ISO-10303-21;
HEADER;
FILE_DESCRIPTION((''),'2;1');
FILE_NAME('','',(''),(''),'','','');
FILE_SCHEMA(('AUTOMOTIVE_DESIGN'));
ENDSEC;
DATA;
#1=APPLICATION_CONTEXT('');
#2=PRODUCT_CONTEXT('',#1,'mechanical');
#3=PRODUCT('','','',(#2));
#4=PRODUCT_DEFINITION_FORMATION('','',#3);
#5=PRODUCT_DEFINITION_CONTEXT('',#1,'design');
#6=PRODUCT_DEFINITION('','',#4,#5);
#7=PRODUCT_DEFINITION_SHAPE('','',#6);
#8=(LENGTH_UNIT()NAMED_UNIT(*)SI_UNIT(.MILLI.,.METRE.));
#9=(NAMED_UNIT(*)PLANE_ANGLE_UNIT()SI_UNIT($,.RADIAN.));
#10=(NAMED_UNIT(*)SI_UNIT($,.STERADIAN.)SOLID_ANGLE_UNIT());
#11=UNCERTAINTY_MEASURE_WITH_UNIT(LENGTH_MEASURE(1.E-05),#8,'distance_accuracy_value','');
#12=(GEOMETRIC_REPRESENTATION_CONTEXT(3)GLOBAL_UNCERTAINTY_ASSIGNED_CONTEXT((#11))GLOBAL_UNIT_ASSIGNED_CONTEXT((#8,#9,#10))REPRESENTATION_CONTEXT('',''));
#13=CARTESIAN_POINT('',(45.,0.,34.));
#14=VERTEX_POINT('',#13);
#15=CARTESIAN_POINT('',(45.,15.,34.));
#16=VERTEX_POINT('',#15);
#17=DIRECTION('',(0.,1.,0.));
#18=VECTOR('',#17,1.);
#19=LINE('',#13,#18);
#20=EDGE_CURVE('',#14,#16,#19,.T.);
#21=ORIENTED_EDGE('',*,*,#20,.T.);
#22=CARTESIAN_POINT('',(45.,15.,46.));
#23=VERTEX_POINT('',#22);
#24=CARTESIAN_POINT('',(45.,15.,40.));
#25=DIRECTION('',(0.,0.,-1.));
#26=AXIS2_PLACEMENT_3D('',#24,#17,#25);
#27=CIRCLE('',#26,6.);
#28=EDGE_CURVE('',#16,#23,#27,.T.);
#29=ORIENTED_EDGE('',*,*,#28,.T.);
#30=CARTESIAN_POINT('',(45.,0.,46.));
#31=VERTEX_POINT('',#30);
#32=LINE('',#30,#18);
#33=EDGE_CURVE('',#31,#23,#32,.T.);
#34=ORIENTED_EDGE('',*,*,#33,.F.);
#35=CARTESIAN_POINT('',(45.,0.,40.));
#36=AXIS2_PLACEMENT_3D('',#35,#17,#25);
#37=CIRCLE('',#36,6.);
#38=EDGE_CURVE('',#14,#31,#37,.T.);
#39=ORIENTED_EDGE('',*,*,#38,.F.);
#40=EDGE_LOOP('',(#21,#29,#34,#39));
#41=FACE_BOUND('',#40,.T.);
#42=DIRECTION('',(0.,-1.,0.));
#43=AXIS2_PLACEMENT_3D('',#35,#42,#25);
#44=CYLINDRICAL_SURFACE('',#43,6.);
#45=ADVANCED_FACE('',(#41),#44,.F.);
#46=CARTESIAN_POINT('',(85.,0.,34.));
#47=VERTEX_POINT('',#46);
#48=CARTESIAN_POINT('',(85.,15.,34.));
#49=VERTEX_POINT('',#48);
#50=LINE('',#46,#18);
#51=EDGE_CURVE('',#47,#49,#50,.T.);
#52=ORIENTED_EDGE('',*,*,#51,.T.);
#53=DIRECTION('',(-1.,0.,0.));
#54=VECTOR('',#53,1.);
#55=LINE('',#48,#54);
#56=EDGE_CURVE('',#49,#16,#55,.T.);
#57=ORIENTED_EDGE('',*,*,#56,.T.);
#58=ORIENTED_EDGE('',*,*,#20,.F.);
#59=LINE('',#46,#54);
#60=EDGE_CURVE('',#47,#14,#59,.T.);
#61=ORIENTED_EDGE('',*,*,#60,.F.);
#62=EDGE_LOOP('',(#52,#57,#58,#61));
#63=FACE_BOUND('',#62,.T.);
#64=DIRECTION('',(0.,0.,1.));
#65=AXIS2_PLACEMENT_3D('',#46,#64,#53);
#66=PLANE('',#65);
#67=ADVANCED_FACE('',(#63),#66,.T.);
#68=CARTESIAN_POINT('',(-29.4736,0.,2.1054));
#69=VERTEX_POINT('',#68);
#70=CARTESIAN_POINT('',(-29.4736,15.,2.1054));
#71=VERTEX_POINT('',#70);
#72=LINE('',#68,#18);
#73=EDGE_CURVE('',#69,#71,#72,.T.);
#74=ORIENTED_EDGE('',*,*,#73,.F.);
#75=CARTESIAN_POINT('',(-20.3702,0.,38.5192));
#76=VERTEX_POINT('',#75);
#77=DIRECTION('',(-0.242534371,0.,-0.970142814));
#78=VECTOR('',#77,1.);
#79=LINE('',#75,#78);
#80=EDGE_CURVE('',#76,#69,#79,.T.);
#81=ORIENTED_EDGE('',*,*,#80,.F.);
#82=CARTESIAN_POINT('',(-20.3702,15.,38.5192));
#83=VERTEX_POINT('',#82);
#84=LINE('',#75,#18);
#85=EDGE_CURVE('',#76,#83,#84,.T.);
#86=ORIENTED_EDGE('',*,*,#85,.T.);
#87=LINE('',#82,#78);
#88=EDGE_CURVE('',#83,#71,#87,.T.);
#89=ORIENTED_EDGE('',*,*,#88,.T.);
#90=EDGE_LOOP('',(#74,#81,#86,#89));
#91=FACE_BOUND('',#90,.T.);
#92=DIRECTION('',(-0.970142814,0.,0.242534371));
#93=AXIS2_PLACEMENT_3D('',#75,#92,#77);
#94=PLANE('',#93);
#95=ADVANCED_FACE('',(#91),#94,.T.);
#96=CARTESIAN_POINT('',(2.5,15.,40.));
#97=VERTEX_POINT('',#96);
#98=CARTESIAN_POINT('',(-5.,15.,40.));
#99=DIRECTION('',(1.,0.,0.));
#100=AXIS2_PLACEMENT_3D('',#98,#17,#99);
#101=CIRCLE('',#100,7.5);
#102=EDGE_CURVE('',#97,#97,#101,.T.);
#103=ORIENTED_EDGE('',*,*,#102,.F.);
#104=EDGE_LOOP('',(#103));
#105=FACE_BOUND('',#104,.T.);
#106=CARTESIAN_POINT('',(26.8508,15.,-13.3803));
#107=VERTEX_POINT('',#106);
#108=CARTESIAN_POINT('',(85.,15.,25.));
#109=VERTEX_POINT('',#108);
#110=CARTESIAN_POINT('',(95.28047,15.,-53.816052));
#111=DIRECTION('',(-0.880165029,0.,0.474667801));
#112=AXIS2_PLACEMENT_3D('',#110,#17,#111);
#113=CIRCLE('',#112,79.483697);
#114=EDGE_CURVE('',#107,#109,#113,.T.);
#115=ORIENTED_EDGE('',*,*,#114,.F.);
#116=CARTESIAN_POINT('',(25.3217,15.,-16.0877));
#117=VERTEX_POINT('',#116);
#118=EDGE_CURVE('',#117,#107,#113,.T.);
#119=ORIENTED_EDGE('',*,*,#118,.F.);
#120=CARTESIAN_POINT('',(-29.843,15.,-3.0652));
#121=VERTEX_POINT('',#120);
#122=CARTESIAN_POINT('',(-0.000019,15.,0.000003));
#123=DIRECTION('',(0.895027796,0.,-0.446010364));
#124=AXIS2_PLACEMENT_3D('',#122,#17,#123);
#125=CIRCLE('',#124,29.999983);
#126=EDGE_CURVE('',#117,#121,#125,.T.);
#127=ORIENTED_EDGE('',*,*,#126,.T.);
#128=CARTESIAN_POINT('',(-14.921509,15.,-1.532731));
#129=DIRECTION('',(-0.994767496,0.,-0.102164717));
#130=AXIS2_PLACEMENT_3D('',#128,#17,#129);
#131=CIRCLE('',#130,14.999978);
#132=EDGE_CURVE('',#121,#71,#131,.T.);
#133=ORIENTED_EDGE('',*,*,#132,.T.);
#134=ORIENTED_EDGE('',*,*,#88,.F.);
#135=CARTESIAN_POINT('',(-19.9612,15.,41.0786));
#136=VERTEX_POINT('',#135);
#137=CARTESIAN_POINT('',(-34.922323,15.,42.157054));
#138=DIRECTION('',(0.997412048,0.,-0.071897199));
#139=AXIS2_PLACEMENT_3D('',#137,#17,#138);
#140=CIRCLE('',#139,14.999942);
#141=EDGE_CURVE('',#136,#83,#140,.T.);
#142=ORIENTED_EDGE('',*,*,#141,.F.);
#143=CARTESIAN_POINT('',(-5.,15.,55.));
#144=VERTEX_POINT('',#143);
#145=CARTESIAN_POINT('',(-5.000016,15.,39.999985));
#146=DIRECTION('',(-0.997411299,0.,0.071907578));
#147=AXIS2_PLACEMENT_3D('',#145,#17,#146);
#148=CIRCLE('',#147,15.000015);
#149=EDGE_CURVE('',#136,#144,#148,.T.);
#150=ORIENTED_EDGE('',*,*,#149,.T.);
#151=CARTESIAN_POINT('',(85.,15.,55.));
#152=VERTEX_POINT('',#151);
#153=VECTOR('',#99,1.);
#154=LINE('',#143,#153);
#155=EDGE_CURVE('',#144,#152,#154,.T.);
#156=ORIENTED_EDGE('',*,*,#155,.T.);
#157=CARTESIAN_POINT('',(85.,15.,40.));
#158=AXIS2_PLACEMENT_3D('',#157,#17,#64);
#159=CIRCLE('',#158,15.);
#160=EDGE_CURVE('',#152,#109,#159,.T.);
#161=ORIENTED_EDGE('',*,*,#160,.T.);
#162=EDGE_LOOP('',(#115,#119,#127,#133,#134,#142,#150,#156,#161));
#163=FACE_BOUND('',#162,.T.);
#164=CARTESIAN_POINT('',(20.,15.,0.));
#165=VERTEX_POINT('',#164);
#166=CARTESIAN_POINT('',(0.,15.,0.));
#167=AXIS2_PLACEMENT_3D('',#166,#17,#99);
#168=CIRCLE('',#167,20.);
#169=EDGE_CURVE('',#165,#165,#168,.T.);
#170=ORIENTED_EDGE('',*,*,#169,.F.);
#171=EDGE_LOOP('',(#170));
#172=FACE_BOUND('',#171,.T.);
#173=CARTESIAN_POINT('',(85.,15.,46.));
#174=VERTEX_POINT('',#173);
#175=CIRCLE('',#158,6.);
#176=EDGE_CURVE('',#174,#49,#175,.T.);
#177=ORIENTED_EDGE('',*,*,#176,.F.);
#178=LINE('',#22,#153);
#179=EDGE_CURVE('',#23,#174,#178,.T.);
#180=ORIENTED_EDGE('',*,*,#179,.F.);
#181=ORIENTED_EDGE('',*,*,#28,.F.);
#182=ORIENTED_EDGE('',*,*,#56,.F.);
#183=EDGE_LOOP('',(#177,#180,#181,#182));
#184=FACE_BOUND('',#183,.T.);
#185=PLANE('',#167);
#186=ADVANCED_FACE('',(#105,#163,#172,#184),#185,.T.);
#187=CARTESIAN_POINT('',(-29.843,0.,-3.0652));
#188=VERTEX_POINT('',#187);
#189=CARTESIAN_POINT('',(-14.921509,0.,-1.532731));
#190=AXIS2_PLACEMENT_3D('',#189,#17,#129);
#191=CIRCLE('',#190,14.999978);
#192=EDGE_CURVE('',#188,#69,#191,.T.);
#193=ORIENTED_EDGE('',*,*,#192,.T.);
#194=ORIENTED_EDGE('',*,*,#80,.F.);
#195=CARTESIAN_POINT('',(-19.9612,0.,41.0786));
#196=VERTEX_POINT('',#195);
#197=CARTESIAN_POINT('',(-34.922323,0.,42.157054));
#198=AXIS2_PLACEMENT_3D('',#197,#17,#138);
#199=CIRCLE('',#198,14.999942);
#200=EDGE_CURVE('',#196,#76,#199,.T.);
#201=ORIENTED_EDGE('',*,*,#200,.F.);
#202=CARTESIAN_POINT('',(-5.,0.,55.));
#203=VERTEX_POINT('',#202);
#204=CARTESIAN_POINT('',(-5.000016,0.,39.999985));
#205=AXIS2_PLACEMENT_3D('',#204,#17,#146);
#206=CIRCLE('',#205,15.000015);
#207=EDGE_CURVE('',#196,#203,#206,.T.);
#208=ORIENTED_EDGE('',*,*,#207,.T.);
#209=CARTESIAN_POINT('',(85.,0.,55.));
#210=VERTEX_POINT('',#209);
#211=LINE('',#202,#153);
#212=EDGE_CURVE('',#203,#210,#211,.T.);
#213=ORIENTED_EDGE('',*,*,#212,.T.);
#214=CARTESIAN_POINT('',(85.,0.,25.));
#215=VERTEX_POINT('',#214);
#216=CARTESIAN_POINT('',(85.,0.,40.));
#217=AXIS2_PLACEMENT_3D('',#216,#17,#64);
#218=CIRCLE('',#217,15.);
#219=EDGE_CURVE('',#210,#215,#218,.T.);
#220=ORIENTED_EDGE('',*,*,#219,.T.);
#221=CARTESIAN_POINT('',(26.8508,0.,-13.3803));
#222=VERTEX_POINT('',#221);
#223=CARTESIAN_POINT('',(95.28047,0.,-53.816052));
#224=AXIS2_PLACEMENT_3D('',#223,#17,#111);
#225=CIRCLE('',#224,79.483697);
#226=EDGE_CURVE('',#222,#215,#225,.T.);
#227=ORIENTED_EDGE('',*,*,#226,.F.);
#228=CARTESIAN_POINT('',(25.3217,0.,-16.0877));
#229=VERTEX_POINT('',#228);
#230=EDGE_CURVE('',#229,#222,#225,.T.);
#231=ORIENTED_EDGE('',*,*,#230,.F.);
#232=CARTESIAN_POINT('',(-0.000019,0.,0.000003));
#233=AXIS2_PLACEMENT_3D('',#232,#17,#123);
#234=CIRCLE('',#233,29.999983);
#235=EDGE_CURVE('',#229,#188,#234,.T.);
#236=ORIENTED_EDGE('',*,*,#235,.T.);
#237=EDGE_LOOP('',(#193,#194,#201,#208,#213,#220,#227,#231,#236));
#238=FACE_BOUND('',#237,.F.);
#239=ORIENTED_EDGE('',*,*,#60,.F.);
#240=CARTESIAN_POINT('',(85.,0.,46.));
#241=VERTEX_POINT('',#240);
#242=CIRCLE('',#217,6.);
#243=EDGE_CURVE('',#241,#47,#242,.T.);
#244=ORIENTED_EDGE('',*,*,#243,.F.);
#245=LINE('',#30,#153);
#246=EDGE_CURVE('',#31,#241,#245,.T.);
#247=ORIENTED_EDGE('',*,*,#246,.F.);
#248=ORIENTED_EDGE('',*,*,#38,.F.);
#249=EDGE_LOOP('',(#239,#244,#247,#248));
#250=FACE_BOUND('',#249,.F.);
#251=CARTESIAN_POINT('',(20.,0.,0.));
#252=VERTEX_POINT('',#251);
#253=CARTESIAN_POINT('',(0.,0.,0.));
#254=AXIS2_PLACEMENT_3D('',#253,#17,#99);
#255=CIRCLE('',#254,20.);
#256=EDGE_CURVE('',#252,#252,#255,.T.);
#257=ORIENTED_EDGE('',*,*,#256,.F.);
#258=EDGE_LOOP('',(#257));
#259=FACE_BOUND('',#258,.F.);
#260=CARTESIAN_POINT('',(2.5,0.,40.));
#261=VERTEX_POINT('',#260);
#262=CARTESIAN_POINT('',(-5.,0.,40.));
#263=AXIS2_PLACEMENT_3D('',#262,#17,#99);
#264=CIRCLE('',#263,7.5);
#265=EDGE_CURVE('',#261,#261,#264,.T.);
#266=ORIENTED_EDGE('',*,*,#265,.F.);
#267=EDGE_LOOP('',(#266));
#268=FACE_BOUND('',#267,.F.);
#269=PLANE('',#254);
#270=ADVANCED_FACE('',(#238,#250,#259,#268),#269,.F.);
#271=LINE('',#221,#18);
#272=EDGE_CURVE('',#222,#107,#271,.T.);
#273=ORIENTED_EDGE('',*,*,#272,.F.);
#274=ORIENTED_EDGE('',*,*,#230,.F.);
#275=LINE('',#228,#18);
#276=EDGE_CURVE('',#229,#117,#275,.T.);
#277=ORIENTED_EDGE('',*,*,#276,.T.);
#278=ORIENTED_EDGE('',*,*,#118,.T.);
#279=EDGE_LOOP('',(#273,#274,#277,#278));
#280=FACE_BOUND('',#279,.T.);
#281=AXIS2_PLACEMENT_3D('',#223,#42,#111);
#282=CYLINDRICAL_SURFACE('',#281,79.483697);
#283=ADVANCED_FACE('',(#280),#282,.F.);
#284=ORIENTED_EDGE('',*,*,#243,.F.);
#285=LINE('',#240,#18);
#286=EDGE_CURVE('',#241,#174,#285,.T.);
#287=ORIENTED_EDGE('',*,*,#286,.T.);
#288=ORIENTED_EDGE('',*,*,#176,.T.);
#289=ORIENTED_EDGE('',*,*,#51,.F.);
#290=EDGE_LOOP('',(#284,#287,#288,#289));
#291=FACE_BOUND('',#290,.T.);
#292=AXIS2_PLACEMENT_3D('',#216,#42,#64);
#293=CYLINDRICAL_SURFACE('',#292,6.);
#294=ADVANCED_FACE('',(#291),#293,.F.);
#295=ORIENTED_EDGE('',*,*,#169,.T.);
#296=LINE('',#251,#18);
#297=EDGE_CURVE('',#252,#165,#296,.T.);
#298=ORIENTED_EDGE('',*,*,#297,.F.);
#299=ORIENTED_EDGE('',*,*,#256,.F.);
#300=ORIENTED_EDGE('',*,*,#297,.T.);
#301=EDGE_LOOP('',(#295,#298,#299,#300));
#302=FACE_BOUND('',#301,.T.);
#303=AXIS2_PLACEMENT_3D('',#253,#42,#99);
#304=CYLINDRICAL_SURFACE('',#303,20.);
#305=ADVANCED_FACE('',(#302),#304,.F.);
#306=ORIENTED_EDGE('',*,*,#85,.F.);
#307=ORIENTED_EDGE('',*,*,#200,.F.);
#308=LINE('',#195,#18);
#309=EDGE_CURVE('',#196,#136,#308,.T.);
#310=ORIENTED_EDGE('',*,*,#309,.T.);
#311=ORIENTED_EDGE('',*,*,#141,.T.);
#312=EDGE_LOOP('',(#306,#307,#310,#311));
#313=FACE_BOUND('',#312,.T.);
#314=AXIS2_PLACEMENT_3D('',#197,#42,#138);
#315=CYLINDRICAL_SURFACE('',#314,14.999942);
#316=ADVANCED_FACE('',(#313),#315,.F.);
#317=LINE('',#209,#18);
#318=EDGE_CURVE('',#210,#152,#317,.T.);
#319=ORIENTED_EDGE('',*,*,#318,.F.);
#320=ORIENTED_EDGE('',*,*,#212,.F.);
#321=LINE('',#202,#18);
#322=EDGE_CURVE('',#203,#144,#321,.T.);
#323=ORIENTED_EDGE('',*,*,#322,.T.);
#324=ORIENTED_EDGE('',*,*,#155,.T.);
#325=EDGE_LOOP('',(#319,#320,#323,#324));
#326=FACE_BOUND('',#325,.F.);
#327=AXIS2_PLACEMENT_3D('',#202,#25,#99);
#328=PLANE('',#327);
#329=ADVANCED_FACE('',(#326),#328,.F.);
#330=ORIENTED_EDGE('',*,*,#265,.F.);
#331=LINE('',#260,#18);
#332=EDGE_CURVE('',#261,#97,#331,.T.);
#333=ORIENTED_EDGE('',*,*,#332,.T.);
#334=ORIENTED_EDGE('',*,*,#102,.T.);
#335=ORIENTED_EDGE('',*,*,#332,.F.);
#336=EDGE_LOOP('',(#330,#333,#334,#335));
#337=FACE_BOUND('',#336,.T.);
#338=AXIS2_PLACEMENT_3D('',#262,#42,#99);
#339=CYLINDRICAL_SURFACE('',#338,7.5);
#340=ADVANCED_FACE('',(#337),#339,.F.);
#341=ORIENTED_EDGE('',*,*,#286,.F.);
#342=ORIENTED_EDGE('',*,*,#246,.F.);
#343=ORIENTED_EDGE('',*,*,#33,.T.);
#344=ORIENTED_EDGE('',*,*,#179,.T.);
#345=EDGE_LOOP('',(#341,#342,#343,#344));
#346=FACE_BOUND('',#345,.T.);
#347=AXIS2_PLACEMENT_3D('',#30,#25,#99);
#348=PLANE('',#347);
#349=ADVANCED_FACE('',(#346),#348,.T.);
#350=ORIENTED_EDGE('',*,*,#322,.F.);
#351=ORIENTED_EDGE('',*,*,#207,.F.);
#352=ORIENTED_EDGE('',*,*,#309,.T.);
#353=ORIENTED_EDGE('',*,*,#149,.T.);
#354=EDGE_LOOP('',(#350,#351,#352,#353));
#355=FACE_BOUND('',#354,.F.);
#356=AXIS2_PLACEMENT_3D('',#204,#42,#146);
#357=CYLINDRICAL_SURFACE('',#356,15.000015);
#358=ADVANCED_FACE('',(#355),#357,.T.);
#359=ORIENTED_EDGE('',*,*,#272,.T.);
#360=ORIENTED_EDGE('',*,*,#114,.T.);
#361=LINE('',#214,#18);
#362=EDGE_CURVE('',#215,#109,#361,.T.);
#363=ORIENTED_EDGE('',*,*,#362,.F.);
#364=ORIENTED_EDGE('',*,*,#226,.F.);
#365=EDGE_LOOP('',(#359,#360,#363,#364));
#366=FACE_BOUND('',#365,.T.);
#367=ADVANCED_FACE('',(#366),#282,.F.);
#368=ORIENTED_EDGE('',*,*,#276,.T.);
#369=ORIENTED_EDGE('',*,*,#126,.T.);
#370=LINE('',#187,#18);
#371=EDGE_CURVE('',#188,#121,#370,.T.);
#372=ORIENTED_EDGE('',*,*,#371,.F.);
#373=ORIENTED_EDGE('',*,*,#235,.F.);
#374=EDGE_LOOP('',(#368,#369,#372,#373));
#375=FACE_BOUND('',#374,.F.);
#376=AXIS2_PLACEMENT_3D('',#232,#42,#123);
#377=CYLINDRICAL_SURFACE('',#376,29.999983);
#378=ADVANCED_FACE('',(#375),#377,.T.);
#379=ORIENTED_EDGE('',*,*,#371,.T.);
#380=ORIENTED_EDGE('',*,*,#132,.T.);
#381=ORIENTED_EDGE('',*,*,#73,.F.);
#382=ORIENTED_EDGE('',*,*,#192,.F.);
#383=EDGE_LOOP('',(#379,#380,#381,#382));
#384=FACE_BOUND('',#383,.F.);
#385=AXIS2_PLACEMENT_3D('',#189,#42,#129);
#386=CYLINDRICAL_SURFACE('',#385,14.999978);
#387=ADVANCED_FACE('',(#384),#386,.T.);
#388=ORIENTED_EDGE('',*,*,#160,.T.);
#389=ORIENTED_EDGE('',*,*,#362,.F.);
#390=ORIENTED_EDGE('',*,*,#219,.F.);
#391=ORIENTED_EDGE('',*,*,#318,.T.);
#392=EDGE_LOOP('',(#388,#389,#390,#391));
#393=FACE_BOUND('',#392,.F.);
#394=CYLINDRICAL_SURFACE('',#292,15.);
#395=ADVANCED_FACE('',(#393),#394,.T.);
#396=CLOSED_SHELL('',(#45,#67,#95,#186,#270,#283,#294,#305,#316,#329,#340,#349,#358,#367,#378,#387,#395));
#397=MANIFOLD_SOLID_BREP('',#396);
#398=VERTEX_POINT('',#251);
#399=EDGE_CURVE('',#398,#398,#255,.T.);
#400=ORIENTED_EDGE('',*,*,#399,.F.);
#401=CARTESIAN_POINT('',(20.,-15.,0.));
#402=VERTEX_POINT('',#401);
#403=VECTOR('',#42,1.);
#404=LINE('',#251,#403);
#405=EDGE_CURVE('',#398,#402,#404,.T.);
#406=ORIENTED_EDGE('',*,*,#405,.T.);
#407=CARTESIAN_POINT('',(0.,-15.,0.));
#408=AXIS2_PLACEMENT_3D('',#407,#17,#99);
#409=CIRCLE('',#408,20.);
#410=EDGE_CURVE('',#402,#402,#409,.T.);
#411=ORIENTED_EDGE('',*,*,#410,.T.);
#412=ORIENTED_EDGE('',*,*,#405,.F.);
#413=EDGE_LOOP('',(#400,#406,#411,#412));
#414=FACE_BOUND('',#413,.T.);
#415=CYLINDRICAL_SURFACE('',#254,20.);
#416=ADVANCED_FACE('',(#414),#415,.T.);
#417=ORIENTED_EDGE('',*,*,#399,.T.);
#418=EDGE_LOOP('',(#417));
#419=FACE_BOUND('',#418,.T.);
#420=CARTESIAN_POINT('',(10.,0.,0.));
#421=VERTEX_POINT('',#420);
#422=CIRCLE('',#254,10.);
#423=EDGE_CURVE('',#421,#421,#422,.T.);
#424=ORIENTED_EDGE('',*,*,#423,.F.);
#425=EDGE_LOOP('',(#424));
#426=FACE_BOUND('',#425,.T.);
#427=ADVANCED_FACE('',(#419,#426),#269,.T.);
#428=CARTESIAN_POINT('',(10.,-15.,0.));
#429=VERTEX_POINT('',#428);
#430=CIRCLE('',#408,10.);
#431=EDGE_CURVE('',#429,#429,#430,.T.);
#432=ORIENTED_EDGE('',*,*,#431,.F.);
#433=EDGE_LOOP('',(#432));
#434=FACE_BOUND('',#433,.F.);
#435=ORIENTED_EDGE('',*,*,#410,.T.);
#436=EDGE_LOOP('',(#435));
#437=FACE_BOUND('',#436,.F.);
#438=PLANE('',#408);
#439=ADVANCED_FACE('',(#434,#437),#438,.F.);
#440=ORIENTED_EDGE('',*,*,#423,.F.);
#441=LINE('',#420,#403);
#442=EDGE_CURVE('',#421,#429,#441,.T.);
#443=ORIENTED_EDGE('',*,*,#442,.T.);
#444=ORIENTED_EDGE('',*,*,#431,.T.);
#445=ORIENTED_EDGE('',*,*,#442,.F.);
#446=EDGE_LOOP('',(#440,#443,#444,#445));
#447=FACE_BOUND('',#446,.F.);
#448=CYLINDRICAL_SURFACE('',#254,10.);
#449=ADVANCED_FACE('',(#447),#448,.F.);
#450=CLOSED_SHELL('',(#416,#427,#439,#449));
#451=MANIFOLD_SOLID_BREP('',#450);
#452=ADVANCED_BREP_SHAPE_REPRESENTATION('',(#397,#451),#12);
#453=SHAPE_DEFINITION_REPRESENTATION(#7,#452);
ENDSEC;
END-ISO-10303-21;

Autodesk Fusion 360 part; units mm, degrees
sketch "Sketch1" plane through (0, 0, 0) normal (0, 1, 0) x (1, 0, 0)
  circle A0 centre (0, 0) radius 10
  circle A1 centre (0, 0) radius 20
  circle A2 centre (-5, -40) radius 7.5
  line L0 (85, -34) -> (45, -34)
  arc A3 (45, -34) -> (45, -46) centre (45, -40) ccw
  line L1 (45, -46) -> (85, -46)
  arc A4 (85, -46) -> (85, -34) centre (85, -40) ccw
  line L2 (85, -40) -> (45, -40) construction
  arc A5 (26.8508, 13.3803) -> (-29.843, 3.0652) centre (0, 0) ccw
  arc A6 (-19.9612, -41.0786) -> (-5, -55) centre (-5, -40) ccw
  arc A7 (85, -55) -> (85, -25) centre (85, -40) ccw
  line L3 (-20.3702, -38.5192) -> (-29.4736, -2.1054)
  arc A8 (-19.9612, -41.0786) -> (-20.3702, -38.5192) centre (-34.9223, -42.1572) ccw
  arc A9 (-29.843, 3.0652) -> (-29.4736, -2.1054) centre (-14.9215, 1.5326) ccw
  line L4 (-5, -55) -> (85, -55)
  arc A10 (25.3217, 16.0877) -> (85, -25) centre (95.2804, 53.8161) ccw
  point P0 (65, -40)
  dimension "d1" = 20
  dimension "d2" = 40
  dimension "d3" = 15
  dimension "d4" = 40
  dimension "d5" = 50
  dimension "d6" = 85
  dimension "d7" = 40
  dimension "d8" = 40
  dimension "d9" = 6
  dimension "d10" = 30
  dimension "d11" = 60
  dimension "d12" = 30
  dimension "d13" = 15
  dimension "d14" = 15
extrude "Extrude1" add sketch "Sketch1" along normal blind 15 contours A5 A6 A7 L3 A8 A9 L4 A10 makes body 1
extrude "Extrude2" add sketch "Sketch1" against normal blind 15 separate body contours A1 makes body 2
